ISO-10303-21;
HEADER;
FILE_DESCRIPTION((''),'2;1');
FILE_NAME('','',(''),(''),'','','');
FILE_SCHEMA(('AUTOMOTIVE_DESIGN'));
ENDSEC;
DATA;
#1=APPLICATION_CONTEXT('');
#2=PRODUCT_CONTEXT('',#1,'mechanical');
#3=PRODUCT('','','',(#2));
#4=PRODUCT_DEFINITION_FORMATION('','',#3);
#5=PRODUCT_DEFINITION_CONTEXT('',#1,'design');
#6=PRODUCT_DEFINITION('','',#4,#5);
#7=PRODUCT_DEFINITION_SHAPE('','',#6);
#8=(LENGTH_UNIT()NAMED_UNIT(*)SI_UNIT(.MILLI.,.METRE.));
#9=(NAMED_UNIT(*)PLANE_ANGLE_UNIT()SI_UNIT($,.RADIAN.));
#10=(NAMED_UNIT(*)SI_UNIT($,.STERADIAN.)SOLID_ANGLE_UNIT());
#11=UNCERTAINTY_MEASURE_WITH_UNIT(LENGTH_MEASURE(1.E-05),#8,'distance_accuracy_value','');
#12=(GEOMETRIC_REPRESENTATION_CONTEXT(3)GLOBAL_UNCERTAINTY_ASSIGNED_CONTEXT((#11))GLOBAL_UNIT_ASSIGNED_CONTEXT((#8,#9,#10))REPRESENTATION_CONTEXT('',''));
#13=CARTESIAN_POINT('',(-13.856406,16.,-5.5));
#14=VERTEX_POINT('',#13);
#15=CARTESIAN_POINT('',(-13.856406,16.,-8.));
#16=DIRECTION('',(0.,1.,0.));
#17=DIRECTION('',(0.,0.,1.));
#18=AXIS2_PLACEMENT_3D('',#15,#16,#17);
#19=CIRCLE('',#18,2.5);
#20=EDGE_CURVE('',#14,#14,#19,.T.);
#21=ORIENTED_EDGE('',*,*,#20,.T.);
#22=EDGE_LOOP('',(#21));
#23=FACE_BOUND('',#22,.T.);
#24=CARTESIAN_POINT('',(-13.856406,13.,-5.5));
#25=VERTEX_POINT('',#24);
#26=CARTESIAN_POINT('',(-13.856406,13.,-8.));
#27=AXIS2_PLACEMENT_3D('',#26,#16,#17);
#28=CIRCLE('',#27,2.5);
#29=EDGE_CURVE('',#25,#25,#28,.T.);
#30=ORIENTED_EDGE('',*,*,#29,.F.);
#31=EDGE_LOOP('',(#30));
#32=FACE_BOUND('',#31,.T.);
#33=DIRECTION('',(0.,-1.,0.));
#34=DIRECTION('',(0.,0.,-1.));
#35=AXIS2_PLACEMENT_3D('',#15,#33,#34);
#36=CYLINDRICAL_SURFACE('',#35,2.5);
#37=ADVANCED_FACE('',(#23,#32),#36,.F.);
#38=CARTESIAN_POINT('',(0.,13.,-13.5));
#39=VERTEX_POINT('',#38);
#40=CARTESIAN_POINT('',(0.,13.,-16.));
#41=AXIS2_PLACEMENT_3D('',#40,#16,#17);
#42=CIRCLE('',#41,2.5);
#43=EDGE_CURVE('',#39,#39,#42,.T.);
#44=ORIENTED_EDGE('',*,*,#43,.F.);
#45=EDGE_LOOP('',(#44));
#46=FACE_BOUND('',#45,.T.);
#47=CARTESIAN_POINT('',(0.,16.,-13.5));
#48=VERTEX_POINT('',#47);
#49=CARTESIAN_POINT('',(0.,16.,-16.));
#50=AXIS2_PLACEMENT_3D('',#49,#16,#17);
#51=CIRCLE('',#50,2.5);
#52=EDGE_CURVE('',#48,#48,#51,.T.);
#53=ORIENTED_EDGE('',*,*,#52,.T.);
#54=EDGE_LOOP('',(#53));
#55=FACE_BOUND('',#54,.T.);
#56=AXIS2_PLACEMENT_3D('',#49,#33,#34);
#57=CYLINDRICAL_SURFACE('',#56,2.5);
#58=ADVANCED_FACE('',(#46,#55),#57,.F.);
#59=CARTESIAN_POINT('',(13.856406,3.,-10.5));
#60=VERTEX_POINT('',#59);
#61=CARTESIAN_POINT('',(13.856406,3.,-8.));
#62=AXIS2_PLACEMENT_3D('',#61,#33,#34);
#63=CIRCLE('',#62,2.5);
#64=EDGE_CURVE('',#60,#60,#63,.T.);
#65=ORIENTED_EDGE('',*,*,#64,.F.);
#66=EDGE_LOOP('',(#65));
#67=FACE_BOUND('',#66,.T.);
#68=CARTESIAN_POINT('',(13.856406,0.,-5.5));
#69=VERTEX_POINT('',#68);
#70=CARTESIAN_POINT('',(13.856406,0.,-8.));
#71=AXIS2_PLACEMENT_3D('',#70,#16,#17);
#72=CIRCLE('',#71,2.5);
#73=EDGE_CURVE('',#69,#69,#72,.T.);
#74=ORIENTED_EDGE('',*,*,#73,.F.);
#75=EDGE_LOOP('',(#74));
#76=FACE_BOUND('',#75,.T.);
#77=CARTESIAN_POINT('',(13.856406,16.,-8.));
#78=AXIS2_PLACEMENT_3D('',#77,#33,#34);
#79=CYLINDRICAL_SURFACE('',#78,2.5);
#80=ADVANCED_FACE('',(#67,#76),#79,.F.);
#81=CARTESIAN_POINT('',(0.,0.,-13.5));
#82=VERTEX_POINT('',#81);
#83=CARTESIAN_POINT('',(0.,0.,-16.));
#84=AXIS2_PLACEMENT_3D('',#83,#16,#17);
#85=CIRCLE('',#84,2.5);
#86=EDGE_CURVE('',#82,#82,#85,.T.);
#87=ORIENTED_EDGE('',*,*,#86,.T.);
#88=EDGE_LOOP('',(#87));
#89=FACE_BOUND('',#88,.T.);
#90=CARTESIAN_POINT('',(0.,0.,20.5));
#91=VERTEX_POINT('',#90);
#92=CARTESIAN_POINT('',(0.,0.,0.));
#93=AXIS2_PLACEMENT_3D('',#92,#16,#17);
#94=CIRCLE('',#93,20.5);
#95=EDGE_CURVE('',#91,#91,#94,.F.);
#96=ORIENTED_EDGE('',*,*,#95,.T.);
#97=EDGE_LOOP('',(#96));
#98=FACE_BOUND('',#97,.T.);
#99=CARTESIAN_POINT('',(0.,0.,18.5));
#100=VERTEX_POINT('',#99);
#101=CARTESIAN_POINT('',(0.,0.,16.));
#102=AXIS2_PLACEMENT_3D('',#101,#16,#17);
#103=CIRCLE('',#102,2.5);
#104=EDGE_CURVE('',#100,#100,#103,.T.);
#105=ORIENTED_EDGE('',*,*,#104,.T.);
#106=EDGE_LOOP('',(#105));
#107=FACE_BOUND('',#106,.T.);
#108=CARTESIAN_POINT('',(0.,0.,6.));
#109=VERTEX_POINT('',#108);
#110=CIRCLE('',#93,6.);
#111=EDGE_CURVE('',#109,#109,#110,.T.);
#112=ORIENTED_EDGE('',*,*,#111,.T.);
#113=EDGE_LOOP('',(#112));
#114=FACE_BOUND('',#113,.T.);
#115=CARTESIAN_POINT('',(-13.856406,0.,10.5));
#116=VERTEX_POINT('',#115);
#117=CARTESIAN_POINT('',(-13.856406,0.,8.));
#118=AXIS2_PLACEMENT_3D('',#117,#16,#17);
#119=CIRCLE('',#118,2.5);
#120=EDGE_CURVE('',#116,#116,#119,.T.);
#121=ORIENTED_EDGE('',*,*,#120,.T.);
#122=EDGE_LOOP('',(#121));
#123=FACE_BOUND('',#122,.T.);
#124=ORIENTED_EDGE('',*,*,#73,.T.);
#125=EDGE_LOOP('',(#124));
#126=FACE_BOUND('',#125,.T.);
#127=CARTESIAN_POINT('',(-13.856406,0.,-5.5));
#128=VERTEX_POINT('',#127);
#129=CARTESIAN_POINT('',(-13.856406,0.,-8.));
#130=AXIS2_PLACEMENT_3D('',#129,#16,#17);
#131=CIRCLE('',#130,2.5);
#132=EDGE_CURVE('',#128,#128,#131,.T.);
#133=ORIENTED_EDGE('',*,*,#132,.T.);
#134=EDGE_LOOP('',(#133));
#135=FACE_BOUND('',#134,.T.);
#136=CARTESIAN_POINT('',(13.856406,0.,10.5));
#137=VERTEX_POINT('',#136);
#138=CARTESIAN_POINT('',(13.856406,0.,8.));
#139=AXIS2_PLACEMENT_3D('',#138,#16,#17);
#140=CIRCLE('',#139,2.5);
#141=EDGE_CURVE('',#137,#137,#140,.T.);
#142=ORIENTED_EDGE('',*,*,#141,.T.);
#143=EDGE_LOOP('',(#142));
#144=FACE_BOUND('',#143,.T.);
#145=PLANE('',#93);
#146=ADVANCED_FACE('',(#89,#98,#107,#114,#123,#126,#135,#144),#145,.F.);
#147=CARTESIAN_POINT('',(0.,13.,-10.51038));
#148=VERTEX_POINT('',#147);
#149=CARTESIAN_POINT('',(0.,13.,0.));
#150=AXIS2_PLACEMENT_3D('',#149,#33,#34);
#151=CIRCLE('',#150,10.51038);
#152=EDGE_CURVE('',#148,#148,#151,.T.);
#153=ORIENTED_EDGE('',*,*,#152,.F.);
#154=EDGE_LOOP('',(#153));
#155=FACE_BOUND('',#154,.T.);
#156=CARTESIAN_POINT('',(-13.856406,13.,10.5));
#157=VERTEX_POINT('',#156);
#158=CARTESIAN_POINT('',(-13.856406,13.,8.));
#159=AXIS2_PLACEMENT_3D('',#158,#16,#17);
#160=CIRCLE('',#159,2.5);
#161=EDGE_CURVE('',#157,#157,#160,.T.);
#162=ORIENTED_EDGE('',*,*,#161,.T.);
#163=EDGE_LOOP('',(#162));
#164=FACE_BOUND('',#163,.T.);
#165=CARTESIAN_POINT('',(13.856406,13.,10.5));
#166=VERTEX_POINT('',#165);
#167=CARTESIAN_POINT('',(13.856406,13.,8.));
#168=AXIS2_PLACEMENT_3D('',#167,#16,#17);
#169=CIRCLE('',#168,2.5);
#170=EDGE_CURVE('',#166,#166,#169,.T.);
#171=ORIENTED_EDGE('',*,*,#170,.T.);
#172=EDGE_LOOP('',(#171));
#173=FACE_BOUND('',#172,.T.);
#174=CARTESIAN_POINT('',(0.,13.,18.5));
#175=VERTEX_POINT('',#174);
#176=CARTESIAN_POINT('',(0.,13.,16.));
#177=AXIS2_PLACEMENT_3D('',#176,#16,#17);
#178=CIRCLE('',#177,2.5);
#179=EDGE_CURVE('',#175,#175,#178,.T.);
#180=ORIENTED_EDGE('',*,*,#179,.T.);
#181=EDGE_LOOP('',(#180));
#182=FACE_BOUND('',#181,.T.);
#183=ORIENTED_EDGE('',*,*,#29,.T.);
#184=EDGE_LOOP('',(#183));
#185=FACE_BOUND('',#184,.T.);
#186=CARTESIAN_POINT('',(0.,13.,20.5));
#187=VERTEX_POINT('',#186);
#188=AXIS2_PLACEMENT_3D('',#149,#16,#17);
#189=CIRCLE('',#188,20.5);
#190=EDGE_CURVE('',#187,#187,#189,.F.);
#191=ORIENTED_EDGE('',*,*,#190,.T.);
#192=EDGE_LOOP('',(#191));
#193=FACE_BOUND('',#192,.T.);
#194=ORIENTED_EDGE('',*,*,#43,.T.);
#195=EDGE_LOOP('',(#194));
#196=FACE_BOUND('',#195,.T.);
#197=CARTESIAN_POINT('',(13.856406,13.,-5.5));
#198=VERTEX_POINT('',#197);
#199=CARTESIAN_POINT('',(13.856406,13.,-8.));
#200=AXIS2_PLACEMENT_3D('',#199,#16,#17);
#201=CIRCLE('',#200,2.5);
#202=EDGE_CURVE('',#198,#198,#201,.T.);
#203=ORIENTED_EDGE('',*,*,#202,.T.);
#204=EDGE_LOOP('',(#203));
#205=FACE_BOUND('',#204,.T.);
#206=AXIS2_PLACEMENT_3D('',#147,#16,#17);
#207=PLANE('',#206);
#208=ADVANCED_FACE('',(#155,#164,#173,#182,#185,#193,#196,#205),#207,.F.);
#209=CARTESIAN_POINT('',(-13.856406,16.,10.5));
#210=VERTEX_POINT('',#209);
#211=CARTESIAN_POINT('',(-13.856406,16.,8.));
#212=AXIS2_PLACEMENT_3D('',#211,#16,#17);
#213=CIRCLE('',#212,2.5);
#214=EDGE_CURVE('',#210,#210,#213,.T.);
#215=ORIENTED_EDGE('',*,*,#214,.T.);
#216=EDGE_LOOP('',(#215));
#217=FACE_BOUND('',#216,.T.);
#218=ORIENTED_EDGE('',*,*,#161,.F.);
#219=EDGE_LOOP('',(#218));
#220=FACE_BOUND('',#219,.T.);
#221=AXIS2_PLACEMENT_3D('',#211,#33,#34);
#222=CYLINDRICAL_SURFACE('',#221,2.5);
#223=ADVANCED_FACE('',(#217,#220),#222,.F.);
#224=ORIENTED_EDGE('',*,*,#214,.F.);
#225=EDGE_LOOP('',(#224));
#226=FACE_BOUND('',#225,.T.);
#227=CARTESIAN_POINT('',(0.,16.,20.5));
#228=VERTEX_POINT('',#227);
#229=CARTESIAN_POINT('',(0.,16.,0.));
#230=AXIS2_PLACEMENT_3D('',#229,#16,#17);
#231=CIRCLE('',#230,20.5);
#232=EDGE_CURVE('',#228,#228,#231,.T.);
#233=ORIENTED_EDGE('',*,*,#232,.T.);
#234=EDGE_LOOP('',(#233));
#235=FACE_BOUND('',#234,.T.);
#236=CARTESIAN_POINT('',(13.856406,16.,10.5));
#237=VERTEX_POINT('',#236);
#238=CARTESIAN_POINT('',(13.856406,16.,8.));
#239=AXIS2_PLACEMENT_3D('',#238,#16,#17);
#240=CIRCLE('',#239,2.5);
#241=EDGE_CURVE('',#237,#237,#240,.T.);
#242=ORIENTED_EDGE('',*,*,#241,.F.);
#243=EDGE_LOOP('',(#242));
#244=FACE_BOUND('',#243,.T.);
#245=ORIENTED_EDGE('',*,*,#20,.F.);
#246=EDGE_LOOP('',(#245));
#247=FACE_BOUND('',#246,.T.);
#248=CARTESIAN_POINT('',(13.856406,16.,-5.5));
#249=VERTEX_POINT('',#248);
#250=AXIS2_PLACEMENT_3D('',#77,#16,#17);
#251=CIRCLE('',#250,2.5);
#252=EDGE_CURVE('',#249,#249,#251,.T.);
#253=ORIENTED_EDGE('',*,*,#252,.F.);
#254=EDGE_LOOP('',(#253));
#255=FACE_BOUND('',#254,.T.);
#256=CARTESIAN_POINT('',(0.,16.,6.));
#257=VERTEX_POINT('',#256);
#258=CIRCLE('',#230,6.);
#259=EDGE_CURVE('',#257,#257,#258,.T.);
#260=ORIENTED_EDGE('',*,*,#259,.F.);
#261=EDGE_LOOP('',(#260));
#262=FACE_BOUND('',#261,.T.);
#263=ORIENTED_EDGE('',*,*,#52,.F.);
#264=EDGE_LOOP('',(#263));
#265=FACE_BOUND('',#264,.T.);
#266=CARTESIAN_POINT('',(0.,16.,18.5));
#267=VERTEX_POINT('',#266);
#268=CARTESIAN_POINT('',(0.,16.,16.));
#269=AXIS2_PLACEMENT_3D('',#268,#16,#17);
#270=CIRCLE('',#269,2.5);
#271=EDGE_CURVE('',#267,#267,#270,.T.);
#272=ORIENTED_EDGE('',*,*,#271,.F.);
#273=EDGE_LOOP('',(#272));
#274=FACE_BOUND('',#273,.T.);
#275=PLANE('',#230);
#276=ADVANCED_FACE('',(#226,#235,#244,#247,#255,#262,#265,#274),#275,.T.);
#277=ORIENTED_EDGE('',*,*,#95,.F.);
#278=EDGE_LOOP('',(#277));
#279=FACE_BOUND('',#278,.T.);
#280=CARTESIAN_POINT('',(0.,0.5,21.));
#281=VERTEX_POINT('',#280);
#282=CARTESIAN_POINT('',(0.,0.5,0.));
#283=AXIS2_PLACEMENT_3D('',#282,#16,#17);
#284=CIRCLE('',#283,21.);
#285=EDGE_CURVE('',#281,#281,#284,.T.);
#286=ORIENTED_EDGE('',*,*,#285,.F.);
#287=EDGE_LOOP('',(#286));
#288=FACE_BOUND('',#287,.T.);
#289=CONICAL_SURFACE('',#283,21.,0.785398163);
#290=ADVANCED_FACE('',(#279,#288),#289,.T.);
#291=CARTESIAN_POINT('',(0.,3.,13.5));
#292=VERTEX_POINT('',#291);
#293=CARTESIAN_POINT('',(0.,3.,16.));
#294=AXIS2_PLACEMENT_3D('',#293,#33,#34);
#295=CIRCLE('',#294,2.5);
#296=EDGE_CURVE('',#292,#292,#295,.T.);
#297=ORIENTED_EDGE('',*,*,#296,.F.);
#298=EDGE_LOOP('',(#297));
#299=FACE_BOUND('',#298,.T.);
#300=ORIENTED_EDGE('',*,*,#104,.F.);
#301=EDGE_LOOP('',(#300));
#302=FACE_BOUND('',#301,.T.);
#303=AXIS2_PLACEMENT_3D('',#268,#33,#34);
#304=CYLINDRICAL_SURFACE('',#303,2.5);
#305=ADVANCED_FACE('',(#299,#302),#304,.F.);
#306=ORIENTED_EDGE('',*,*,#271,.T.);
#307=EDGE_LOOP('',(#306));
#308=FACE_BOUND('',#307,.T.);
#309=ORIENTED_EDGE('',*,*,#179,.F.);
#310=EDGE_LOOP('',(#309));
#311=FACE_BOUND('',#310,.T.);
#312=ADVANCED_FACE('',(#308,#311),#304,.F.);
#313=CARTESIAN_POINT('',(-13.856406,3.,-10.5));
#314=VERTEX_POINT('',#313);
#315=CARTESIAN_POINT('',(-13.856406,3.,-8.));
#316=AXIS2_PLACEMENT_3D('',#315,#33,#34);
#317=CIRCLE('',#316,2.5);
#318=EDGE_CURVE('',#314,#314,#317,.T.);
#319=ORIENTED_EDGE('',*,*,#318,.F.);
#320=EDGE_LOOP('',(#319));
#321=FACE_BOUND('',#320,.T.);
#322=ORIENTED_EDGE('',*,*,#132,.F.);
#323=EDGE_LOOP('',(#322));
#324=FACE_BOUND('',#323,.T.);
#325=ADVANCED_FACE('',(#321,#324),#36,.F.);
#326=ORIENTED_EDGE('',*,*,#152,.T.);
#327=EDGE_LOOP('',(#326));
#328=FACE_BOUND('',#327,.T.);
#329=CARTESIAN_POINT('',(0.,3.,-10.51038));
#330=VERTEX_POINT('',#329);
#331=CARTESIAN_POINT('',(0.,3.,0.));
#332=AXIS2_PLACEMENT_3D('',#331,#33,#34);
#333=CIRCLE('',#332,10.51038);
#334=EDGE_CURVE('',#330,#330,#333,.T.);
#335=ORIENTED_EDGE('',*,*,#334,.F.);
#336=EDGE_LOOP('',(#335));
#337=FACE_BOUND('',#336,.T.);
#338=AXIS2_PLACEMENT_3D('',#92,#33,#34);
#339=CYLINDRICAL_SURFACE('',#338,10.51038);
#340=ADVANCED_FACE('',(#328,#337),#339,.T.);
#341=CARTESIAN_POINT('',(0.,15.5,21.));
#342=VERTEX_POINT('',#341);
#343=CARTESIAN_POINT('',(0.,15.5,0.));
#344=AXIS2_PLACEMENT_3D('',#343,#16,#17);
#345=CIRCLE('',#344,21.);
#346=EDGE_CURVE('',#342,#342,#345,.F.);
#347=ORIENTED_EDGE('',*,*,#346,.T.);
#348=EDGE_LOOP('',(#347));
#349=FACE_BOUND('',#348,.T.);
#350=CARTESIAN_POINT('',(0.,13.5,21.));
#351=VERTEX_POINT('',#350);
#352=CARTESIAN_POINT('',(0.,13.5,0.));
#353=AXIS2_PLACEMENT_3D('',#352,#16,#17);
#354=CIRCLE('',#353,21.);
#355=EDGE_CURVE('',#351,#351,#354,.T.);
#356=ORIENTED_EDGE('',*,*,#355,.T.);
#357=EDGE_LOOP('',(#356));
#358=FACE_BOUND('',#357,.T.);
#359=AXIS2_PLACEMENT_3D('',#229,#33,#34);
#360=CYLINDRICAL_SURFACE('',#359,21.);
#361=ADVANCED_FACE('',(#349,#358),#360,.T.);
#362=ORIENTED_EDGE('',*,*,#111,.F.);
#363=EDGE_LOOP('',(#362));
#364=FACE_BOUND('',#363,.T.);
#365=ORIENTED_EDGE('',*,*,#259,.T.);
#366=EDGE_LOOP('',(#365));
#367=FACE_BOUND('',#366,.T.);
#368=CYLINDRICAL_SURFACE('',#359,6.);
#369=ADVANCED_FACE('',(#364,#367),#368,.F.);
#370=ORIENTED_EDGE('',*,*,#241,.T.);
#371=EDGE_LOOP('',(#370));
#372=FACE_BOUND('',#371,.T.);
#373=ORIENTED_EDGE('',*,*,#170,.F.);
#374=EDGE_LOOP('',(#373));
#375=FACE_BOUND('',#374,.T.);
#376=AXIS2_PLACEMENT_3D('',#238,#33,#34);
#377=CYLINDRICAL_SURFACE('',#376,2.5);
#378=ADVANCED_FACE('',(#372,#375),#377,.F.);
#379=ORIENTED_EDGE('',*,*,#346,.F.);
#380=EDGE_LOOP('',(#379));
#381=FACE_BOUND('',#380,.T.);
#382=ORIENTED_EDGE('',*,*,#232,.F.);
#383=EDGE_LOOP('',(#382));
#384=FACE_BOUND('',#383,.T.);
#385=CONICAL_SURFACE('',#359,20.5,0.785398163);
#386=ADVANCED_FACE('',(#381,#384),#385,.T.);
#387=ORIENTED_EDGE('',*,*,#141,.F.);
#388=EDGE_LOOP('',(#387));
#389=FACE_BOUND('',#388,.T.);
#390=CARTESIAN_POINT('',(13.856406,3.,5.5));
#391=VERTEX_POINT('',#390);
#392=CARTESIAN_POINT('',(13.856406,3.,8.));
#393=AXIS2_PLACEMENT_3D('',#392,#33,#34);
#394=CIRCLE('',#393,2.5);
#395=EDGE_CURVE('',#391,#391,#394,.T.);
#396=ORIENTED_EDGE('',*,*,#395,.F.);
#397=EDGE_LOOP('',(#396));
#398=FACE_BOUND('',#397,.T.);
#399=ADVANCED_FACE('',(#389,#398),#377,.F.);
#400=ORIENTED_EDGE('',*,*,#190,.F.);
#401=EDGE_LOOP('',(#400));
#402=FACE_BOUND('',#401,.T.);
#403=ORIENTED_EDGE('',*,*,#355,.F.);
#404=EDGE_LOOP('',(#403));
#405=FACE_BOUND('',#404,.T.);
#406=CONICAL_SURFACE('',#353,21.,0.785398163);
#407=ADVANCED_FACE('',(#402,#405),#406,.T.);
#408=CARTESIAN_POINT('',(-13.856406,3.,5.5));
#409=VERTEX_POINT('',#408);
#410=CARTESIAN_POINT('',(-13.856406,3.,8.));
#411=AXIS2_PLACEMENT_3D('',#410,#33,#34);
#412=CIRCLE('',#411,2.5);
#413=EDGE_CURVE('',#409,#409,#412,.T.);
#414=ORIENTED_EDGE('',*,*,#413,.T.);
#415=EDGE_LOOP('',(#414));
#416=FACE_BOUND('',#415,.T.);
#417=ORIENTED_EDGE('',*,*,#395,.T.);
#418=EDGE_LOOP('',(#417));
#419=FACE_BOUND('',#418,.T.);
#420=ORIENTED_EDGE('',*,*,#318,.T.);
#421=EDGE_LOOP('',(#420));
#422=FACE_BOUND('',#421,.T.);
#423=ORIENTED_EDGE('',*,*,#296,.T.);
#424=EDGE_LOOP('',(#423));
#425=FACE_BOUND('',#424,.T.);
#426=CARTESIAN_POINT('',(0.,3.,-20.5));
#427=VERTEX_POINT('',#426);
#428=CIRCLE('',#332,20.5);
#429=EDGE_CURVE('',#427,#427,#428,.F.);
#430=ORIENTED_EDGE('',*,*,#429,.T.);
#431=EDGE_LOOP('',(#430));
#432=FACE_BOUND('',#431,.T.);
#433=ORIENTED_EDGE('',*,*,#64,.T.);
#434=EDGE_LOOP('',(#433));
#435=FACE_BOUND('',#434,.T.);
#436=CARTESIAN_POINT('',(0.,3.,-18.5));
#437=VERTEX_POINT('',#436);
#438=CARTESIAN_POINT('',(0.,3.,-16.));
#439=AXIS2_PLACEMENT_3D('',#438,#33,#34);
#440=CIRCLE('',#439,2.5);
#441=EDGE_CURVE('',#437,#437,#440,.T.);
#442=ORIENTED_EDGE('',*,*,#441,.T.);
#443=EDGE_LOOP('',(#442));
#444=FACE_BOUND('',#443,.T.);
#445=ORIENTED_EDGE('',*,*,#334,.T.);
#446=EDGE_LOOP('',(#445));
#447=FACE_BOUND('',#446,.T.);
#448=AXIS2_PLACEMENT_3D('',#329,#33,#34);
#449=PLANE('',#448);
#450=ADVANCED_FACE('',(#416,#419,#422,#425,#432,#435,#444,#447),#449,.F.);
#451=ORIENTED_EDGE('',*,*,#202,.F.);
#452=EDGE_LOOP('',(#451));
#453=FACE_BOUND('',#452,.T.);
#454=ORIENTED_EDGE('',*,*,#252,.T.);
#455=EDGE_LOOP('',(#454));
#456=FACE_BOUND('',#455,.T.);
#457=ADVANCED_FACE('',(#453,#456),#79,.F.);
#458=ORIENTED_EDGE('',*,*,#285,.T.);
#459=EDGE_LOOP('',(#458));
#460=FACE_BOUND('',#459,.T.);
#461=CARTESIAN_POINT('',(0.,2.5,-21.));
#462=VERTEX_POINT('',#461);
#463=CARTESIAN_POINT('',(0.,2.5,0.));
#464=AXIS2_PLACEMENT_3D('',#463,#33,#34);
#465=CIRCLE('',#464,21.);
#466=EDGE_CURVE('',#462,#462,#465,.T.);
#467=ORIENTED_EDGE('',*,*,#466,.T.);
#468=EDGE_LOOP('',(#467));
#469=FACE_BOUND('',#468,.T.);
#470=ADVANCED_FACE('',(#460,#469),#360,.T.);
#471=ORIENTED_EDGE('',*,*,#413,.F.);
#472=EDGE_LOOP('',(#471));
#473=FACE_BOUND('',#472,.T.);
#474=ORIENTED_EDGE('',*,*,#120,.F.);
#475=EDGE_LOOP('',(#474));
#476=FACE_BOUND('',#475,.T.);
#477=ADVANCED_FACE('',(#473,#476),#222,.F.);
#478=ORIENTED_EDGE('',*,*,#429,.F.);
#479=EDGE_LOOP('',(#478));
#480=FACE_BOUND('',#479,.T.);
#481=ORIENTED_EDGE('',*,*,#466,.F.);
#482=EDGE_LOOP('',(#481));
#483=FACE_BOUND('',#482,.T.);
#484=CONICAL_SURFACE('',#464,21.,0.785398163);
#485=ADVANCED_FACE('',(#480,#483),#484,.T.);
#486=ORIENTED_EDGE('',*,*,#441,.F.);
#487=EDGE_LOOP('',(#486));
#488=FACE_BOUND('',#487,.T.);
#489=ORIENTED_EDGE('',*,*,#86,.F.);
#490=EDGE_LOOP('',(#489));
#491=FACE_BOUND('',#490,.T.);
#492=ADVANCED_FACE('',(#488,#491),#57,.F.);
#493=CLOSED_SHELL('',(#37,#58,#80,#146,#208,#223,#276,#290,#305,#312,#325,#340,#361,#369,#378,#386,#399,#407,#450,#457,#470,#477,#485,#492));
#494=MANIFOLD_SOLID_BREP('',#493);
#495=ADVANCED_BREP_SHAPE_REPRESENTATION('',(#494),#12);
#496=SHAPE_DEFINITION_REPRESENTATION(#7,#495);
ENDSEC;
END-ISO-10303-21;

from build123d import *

# Parameters (mm, degrees)
SKETCH1_R           = 21
SKETCH1_R_2         = 6
SKETCH1_R_3         = 2.5
BOSS_EXTRUDE1_DEPTH = 16
SKETCH2_W           = 19.556392274
SKETCH2_H           = 10
CHAMFER1_SIZE       = 0.5
CHAMFER2_SIZE       = 0.5


with BuildPart() as part:
    # Sketch1 → Boss-Extrude1 (new body)
    with BuildSketch(Plane(origin=(0, 0, 0), x_dir=(1, 0, 0), z_dir=(0, 1, 0))):
        with Locations(Location((0, 0, 0), (0, 0, 270))):
            Circle(SKETCH1_R)
        with Locations(Location((0, 0, 0), (0, 0, 270))):
            Circle(SKETCH1_R_2, mode=Mode.SUBTRACT)
        with Locations(Location((0, 16, 0), (0, 0, 270))):
            Circle(SKETCH1_R_3, mode=Mode.SUBTRACT)
        with Locations(Location((13.856406461, 8, 0), (0, 0, 270))):
            Circle(SKETCH1_R_3, mode=Mode.SUBTRACT)
        with Locations(Location((13.856406461, -8, 0), (0, 0, 270))):
            Circle(SKETCH1_R_3, mode=Mode.SUBTRACT)
        with Locations(Location((0, -16, 0), (0, 0, 270))):
            Circle(SKETCH1_R_3, mode=Mode.SUBTRACT)
        with Locations(Location((-13.856406461, -8, 0), (0, 0, 270))):
            Circle(SKETCH1_R_3, mode=Mode.SUBTRACT)
        with Locations(Location((-13.856406461, 8, 0), (0, 0, 270))):
            Circle(SKETCH1_R_3, mode=Mode.SUBTRACT)
    extrude(amount=BOSS_EXTRUDE1_DEPTH)

    # Sketch2 → Cut-Revolve1 (revolve, cut)
    with BuildSketch(Plane(origin=(0, 0, 0), x_dir=(0, 0, -1), z_dir=(1, 0, 0))):
        with Locations((20.288576043, 8)):
            Rectangle(SKETCH2_W, SKETCH2_H)
    revolve(axis=Axis((0, 0, 0), (0, 1, 0)), mode=Mode.SUBTRACT)

    # Chamfer1
    chamfer1_edges = [part.edges().sort_by_distance(p)[0] for p in [
        (0, 3, -21),
        (0, 13, -21),
    ]]
    chamfer(chamfer1_edges, length=CHAMFER1_SIZE)

    # Chamfer2
    chamfer2_edges = [part.edges().sort_by_distance(p)[0] for p in [
        (0, 0, -21),
        (0, 16, -21),
    ]]
    chamfer(chamfer2_edges, length=CHAMFER2_SIZE)


solid = part.part
